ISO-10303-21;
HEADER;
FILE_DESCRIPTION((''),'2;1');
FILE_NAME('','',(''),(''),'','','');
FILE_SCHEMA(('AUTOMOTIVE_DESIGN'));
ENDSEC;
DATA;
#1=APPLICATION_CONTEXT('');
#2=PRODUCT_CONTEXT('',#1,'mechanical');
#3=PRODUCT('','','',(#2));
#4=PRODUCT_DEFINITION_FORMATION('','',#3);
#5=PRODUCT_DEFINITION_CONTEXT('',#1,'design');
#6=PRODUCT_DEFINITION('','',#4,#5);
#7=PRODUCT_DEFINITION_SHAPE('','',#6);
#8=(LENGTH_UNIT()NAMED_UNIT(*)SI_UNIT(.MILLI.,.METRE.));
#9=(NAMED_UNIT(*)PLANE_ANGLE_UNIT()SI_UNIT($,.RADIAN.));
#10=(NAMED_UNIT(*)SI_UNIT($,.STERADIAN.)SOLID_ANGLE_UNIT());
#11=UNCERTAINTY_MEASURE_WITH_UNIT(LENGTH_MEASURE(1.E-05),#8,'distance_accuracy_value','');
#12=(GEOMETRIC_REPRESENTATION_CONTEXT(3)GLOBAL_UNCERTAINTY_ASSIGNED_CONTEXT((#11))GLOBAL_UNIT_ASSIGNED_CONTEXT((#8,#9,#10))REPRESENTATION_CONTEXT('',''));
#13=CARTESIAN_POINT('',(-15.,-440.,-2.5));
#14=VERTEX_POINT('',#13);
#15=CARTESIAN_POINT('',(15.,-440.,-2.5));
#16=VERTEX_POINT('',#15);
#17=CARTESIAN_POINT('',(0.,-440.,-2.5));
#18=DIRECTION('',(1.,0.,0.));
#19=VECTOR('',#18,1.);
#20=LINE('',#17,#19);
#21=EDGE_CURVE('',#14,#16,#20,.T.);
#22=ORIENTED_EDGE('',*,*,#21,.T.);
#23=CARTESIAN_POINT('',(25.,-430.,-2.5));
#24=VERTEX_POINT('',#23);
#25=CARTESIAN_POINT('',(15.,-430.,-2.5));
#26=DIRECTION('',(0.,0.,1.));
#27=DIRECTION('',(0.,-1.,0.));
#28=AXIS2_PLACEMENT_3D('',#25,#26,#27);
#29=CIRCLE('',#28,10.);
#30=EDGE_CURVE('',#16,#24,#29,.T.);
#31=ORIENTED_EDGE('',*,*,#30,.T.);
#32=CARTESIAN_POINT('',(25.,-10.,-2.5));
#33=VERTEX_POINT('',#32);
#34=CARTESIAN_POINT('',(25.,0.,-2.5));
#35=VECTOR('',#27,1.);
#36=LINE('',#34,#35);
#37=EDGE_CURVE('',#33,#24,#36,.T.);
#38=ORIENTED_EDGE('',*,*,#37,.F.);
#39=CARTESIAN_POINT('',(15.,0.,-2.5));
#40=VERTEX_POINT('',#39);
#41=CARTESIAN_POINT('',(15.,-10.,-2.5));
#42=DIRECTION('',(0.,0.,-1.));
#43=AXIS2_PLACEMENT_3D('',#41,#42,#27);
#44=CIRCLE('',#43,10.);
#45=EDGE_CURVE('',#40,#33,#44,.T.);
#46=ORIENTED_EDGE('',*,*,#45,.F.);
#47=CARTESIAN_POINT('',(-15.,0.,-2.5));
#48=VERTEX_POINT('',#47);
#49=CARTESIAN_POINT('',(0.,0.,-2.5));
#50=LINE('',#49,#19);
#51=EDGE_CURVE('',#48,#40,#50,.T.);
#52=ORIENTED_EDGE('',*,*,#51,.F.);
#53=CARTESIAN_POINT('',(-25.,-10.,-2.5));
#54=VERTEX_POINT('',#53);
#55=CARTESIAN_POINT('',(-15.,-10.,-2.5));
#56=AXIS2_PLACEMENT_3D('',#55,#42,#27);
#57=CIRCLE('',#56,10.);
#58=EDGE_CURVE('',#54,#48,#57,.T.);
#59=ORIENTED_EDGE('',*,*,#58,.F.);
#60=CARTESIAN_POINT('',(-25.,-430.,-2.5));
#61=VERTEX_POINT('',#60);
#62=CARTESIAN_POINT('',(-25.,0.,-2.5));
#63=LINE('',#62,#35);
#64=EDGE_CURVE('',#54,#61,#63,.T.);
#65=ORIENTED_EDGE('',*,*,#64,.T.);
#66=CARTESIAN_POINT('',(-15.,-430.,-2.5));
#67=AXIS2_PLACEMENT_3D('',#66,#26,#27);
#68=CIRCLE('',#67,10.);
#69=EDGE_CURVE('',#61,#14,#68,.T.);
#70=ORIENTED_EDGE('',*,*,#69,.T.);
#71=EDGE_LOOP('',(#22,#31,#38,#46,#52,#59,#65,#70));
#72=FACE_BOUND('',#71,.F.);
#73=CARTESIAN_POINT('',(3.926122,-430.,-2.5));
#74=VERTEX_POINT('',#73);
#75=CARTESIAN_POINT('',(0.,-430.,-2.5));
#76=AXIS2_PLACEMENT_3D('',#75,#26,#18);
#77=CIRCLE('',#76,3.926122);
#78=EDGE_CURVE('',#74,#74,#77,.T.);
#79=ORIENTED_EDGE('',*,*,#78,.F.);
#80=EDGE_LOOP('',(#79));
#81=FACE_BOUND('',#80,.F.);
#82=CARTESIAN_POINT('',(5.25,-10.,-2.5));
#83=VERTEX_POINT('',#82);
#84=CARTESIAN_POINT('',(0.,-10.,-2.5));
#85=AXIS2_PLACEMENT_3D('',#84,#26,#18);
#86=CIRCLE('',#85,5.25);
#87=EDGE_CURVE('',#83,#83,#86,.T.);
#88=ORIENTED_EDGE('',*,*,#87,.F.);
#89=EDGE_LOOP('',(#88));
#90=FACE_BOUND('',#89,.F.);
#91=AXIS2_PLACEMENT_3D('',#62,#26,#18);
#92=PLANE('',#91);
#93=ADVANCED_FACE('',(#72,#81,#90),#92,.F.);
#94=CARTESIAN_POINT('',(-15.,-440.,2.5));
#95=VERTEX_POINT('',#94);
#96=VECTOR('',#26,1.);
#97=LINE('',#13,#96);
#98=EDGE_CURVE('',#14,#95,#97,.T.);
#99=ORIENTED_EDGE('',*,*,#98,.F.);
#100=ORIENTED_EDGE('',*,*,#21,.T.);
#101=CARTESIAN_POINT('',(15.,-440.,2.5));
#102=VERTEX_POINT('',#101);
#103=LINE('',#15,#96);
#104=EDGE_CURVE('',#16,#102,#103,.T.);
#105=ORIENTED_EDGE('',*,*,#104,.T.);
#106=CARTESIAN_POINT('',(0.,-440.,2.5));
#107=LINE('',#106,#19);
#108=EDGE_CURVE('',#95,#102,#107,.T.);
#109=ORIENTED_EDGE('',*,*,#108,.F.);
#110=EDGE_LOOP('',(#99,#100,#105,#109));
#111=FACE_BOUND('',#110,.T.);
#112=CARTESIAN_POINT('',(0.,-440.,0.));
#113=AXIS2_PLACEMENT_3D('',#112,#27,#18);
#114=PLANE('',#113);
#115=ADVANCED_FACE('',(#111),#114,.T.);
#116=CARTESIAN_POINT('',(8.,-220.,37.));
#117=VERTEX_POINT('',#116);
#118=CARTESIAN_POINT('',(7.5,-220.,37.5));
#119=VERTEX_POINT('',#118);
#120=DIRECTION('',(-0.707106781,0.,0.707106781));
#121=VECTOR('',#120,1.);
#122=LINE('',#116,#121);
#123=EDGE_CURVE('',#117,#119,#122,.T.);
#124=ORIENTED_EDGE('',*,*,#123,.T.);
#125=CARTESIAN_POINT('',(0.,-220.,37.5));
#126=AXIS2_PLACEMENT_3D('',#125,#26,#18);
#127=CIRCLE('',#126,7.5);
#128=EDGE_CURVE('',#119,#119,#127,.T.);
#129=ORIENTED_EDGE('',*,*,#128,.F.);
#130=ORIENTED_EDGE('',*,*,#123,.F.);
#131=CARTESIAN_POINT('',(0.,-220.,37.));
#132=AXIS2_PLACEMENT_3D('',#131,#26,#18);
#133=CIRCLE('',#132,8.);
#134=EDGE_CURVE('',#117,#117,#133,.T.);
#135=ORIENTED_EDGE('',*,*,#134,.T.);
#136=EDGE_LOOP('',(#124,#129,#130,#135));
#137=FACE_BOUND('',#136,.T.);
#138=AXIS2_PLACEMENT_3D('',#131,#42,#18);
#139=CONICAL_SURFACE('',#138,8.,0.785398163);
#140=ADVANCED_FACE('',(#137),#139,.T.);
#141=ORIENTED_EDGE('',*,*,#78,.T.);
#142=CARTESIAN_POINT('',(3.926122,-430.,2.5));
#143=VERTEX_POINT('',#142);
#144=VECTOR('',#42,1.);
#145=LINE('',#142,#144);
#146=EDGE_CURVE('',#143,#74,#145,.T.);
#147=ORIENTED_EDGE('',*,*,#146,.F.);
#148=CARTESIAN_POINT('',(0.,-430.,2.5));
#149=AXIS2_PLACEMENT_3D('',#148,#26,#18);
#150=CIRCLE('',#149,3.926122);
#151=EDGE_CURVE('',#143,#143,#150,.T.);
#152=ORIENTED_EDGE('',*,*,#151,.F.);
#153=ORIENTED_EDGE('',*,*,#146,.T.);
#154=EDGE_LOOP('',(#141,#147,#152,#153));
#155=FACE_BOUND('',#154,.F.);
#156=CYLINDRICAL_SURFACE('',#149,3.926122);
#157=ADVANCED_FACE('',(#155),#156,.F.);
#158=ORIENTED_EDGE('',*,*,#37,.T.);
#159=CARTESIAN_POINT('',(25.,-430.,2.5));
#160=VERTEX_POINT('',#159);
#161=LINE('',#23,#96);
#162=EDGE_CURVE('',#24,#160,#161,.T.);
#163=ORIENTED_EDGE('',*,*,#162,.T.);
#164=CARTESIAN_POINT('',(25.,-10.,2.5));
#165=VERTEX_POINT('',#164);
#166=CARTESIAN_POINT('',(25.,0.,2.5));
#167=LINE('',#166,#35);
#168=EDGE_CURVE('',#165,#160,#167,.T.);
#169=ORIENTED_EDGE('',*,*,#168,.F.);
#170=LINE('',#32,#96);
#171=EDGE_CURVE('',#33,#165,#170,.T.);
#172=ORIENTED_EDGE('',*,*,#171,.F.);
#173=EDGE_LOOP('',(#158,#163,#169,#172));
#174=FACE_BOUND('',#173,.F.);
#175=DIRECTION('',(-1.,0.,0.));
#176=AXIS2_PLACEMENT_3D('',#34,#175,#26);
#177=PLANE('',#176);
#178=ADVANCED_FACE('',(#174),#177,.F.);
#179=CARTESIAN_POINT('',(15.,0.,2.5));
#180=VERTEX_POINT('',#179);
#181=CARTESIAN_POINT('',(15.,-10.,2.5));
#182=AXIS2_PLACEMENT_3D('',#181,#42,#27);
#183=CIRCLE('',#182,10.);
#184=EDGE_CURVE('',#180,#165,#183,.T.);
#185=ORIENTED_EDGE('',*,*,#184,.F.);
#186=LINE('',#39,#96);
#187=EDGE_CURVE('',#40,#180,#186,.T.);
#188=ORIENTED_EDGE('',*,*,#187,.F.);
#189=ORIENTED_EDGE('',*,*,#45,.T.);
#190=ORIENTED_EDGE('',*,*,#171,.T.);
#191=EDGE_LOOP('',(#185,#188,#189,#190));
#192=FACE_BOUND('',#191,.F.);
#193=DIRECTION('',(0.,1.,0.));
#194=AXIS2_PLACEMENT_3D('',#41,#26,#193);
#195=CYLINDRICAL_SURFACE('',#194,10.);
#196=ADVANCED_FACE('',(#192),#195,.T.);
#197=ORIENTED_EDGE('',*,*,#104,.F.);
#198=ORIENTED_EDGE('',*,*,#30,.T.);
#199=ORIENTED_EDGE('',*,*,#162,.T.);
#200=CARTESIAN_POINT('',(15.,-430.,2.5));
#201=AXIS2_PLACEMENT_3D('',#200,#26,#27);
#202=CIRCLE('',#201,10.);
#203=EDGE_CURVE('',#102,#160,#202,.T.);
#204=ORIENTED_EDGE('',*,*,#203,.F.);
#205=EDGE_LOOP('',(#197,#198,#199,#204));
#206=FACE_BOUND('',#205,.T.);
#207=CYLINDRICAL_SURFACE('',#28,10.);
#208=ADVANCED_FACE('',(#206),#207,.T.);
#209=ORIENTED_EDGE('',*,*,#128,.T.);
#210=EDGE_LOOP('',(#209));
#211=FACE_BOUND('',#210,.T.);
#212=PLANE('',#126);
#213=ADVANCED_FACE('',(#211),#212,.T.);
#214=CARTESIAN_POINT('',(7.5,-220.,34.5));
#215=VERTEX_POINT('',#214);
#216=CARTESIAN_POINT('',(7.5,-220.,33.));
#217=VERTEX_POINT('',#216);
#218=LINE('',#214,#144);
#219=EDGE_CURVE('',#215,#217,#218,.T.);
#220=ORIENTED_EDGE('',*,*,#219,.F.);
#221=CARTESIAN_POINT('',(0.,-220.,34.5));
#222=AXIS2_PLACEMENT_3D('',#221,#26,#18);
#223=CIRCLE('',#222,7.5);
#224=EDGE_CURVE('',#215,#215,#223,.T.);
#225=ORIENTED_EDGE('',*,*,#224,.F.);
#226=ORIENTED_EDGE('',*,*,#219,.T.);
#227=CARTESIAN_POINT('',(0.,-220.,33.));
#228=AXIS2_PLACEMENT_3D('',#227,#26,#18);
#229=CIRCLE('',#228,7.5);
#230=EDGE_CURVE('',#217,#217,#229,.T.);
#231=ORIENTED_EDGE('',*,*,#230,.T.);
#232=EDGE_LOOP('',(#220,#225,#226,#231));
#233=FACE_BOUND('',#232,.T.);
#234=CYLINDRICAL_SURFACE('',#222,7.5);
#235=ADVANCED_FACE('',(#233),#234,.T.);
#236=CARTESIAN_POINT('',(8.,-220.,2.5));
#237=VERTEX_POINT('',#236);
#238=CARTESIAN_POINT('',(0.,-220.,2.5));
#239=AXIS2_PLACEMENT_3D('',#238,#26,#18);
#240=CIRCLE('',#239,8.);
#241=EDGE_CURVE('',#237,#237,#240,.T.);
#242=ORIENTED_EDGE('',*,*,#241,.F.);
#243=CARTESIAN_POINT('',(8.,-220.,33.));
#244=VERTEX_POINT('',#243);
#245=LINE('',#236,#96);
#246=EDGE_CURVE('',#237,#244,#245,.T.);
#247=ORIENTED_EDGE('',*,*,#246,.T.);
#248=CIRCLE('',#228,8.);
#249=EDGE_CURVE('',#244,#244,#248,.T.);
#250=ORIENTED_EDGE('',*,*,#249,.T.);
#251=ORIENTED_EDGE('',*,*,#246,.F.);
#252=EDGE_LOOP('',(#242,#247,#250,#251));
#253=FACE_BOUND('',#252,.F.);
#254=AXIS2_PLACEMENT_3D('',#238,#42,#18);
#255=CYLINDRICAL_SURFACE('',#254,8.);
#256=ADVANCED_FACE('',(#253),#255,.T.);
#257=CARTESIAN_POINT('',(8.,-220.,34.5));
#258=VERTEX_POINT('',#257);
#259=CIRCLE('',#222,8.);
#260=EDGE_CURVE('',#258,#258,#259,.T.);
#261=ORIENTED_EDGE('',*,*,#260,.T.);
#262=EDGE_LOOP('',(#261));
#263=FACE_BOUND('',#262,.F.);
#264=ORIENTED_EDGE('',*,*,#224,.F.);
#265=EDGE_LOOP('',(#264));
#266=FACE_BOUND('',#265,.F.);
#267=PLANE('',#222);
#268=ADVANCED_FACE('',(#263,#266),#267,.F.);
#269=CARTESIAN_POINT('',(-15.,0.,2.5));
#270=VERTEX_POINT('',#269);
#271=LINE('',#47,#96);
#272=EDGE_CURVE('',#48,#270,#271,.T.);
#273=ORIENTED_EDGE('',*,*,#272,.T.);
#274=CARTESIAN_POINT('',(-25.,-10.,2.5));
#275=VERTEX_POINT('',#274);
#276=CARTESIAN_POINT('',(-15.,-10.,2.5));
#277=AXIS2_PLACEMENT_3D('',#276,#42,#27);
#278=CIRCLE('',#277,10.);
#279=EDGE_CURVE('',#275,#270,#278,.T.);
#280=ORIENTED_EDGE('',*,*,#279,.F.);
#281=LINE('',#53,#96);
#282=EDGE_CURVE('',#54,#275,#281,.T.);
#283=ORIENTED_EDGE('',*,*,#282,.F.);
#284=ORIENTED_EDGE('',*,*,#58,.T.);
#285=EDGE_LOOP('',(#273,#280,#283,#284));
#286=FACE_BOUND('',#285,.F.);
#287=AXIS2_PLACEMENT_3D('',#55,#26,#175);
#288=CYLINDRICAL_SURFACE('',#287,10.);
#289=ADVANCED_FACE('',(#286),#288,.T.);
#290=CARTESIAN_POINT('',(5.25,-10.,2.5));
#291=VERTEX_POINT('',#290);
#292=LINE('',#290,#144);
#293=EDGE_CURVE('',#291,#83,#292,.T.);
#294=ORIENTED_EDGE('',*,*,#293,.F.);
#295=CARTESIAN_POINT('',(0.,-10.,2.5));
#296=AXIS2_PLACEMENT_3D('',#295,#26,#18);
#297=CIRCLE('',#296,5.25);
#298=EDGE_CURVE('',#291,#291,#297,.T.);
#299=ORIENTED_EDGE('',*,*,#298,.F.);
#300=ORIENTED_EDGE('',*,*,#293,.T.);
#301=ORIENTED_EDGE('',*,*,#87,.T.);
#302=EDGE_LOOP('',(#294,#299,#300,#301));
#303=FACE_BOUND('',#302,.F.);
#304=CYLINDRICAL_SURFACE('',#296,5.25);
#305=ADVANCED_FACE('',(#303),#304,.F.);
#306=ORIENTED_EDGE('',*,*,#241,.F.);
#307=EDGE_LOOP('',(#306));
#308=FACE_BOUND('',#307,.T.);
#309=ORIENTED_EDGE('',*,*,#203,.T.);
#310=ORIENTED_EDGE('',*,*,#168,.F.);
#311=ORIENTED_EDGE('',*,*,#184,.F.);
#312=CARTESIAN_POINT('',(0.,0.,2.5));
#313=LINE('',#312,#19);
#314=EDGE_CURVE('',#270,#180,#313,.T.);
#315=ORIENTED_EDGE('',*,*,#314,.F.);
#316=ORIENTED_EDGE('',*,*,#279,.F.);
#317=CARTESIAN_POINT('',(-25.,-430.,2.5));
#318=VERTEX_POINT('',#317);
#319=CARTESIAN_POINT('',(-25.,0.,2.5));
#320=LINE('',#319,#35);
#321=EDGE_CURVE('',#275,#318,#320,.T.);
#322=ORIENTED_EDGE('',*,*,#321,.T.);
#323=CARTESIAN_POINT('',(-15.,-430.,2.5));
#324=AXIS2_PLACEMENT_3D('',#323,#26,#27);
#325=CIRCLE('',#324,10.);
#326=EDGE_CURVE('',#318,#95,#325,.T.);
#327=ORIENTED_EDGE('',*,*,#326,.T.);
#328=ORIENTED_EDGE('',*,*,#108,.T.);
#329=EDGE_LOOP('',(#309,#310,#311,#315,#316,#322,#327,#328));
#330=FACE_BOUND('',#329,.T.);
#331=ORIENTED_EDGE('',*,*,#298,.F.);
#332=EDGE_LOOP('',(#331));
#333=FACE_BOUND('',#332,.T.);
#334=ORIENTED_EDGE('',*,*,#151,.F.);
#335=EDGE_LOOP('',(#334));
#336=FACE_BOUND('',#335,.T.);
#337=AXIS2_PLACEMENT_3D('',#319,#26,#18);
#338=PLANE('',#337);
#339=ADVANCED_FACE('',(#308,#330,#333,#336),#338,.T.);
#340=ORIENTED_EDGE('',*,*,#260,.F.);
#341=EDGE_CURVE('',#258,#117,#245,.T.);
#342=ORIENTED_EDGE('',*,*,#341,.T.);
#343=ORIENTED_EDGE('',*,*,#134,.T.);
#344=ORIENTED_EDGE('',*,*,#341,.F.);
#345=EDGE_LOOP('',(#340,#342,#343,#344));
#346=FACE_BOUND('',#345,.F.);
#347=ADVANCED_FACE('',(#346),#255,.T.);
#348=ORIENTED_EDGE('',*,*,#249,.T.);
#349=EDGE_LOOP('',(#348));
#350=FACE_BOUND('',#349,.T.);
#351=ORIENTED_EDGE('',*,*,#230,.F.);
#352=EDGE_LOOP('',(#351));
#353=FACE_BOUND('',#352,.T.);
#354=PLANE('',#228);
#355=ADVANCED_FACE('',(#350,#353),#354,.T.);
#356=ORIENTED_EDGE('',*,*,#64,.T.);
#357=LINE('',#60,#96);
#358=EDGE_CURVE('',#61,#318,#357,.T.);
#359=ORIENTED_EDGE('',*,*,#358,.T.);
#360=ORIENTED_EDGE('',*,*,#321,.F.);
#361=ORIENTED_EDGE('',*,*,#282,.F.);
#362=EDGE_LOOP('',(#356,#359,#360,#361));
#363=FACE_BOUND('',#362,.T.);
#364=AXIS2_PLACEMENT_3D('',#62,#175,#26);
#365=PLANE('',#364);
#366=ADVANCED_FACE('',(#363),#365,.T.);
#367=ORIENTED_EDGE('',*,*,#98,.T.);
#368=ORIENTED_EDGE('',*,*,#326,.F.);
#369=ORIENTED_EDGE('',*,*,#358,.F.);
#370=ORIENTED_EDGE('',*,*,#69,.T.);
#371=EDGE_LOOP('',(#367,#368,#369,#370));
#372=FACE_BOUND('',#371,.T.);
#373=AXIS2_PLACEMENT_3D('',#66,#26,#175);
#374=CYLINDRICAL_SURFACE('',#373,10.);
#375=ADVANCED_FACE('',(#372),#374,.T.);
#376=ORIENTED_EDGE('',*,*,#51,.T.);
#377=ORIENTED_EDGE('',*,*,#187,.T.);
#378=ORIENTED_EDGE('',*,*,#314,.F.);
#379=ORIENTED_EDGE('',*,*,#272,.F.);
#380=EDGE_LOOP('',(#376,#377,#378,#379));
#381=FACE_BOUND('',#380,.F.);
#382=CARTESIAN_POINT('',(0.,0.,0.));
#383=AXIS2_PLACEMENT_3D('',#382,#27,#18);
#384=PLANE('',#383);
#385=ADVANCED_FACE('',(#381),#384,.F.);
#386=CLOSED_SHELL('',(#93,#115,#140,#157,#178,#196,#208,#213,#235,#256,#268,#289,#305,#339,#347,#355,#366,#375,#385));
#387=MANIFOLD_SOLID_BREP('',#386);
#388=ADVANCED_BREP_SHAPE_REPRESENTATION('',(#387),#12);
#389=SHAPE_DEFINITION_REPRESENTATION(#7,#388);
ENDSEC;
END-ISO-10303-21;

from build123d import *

# Parameters (mm, degrees)
F0_W     = 50
F0_H     = 5
F1_DEPTH = 440
F2_R     = 5.25
F2_R_2   = 3.9261217041
F3_DEPTH = 5.001
F4_R     = 8
F5_DEPTH = 35
F6_R     = 10
F8_R     = 8
F8_R_2   = 7.5
F9_DEPTH = 1.5
F10_SIZE = 0.5


with BuildPart() as f1:
    # F0 (on Front) → F1 (new body)
    with BuildSketch(Plane.XZ):
        Rectangle(F0_W, F0_H)
    extrude(amount=F1_DEPTH)

    # F2 (on face) → F3 (cut, through all)
    with BuildSketch(Plane.XY.offset(2.5)):
        with Locations((0, -10)):
            Circle(F2_R)
        with Locations((0, -430)):
            Circle(F2_R_2)
    extrude(amount=-F3_DEPTH, mode=Mode.SUBTRACT)

    # F4 (on face) → F5 (join)
    with BuildSketch(Plane.XY.offset(2.5)):
        with Locations((0, -220)):
            Circle(F4_R)
    extrude(amount=F5_DEPTH)

    # F6
    f6_edges = [f1.edges().sort_by_distance(p)[0] for p in [
        (-25, -440, 0),
        (25, -440, 0),
        (25, 0, 0),
        (-25, 0, 0),
    ]]
    fillet(f6_edges, radius=F6_R)

    # F8 (on offset) → F9 (cut)
    with BuildSketch(Plane.XY.offset(34.5)):
        with Locations((0, -220)):
            Circle(F8_R)
        with Locations((0, -220)):
            Circle(F8_R_2, mode=Mode.SUBTRACT)
    extrude(amount=-F9_DEPTH, mode=Mode.SUBTRACT)

    # F10
    f10_edges = [f1.edges().sort_by_distance(p)[0] for p in [
        (-8, -220, 37.5),
    ]]
    chamfer(f10_edges, length=F10_SIZE)


solid = f1.part
